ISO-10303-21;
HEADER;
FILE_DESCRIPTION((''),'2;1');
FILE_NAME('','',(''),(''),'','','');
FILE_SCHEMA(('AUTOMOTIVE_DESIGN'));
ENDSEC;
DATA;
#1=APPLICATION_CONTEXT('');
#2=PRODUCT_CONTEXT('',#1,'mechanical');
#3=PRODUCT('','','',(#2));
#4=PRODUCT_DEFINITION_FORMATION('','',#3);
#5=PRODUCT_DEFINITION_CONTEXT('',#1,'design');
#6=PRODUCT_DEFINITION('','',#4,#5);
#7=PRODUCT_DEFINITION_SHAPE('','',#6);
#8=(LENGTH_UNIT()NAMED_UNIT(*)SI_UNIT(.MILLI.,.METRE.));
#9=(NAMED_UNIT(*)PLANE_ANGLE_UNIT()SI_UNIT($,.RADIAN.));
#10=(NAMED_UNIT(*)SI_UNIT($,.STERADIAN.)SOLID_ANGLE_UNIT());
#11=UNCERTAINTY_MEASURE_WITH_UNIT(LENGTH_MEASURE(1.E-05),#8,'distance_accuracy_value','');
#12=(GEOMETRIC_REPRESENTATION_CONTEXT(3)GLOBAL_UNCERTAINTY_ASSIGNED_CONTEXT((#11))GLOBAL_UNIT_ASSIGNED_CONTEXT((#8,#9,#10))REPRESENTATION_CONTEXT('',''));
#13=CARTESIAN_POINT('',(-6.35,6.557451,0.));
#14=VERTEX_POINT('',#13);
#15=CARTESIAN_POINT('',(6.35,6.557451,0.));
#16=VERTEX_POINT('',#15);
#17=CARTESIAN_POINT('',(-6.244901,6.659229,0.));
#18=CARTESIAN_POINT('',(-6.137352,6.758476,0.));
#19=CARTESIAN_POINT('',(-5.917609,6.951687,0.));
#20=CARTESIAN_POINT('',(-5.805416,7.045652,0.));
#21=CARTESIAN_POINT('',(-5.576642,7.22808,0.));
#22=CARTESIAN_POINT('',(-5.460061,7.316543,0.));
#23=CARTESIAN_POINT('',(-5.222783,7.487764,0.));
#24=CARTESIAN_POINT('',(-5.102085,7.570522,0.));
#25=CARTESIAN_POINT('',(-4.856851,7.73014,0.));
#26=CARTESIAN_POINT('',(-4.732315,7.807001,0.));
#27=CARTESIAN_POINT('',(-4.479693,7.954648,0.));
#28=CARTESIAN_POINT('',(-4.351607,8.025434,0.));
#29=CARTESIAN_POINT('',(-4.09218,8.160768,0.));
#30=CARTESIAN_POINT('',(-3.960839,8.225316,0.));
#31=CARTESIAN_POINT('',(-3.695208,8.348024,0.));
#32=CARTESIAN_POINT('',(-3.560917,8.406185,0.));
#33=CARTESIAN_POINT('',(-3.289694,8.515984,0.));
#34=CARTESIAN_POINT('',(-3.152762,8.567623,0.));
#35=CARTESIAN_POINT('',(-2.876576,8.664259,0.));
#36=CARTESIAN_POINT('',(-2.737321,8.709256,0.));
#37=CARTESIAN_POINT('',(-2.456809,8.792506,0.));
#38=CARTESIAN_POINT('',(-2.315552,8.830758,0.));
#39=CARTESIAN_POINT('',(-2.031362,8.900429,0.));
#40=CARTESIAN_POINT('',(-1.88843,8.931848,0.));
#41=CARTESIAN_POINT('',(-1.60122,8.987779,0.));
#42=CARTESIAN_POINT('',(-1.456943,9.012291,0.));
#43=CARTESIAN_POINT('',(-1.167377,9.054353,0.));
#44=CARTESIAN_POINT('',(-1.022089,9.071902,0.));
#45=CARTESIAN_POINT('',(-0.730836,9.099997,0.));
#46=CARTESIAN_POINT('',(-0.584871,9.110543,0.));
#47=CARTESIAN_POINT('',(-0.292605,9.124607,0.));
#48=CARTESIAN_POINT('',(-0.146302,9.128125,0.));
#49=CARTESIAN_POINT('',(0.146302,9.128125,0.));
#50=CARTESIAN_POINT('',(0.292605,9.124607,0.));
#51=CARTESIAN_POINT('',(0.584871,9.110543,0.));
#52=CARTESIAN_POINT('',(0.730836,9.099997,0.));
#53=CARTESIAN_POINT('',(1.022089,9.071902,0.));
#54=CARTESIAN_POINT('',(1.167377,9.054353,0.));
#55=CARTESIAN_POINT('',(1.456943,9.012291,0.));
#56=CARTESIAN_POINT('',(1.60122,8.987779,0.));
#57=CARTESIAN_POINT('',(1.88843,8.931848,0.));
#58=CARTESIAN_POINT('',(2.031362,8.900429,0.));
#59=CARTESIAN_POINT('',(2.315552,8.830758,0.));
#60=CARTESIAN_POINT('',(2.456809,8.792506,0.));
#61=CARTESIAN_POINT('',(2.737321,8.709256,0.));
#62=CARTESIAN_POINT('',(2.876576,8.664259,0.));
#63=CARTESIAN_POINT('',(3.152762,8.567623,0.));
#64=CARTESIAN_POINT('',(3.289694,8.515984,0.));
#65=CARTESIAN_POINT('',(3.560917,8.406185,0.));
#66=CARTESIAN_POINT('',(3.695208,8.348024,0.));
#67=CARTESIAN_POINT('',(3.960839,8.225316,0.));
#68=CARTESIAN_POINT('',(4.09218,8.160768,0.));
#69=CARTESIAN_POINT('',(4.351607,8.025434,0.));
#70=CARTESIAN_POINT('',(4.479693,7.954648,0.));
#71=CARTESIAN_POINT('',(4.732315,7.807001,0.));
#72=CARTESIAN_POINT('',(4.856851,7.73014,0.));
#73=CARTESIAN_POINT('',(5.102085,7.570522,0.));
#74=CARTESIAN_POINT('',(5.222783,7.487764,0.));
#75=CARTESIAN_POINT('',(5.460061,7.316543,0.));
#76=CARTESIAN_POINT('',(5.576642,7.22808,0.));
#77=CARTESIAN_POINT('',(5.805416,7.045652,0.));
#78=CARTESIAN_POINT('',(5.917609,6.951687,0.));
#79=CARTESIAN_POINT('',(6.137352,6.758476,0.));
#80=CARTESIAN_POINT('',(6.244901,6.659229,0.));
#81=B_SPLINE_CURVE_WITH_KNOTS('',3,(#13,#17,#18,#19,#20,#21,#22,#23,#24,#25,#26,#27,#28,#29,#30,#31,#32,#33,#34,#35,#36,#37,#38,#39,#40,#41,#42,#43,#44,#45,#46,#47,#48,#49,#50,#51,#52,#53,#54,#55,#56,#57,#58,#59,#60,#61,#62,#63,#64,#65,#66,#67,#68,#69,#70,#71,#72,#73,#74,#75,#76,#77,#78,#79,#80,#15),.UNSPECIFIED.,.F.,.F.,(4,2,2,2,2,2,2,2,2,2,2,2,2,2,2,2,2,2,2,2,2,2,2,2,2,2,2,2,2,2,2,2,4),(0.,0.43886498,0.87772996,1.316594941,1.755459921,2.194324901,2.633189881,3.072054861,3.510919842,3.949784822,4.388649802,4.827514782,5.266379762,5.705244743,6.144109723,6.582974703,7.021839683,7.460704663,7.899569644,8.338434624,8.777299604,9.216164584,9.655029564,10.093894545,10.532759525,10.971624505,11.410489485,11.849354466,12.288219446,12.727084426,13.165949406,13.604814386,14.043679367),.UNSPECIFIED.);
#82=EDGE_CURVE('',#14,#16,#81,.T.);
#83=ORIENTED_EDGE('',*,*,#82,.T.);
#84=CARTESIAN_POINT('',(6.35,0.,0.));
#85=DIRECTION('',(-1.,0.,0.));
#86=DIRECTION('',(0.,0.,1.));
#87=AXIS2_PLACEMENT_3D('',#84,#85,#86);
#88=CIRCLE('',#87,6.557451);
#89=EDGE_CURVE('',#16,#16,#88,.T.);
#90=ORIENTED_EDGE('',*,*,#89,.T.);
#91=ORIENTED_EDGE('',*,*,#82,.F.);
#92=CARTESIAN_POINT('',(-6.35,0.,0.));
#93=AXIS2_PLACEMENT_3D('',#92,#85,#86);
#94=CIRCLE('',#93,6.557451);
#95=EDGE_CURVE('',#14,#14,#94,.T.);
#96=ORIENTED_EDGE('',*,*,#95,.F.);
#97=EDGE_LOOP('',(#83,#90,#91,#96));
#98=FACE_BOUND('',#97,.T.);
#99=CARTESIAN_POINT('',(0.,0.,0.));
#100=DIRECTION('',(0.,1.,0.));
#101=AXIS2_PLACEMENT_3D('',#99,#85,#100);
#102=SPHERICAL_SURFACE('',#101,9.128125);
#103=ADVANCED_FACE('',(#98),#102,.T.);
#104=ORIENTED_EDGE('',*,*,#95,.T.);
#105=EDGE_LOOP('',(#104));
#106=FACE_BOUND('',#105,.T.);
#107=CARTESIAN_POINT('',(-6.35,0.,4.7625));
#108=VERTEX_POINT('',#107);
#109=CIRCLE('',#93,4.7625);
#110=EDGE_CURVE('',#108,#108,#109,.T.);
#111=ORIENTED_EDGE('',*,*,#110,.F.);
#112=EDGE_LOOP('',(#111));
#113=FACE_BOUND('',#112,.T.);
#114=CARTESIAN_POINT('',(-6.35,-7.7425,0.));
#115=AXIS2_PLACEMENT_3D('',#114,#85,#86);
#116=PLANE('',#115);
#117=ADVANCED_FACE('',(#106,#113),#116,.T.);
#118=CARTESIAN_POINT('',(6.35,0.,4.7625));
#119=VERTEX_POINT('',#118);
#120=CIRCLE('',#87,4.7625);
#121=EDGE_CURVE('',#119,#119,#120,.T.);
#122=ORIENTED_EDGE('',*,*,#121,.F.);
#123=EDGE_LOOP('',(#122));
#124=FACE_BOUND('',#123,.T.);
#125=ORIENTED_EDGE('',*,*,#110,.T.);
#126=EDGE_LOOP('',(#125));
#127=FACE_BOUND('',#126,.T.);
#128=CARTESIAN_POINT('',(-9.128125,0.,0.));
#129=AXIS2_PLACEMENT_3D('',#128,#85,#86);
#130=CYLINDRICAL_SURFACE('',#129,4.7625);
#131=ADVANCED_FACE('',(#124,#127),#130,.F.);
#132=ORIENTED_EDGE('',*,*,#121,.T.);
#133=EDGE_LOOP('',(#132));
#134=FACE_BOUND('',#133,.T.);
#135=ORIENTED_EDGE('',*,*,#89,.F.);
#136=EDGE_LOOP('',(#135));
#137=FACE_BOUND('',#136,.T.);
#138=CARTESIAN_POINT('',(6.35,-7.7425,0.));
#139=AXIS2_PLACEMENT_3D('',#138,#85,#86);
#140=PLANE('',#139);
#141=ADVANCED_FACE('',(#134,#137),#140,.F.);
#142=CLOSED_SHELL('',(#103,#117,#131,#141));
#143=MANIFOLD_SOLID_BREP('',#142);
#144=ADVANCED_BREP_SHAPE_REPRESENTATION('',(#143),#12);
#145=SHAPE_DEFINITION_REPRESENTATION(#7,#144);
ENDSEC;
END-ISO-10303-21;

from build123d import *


with BuildPart() as part:
    # Sketch1 → Revolve1 (revolve)
    with BuildSketch(Plane.XY):
        with BuildLine():
            Line((-6.35, 6.557451183), (-6.35, 4.7625))
            Line((-6.35, 4.7625), (6.35, 4.7625))
            Line((6.35, 4.7625), (6.35, 6.557451183))
            ThreePointArc((6.35, 6.557451183), (0, 9.128125), (-6.35, 6.557451183))
        make_face()
    revolve(axis=Axis((-9.128125, 0, 0), (1, 0, 0)))


solid = part.part
